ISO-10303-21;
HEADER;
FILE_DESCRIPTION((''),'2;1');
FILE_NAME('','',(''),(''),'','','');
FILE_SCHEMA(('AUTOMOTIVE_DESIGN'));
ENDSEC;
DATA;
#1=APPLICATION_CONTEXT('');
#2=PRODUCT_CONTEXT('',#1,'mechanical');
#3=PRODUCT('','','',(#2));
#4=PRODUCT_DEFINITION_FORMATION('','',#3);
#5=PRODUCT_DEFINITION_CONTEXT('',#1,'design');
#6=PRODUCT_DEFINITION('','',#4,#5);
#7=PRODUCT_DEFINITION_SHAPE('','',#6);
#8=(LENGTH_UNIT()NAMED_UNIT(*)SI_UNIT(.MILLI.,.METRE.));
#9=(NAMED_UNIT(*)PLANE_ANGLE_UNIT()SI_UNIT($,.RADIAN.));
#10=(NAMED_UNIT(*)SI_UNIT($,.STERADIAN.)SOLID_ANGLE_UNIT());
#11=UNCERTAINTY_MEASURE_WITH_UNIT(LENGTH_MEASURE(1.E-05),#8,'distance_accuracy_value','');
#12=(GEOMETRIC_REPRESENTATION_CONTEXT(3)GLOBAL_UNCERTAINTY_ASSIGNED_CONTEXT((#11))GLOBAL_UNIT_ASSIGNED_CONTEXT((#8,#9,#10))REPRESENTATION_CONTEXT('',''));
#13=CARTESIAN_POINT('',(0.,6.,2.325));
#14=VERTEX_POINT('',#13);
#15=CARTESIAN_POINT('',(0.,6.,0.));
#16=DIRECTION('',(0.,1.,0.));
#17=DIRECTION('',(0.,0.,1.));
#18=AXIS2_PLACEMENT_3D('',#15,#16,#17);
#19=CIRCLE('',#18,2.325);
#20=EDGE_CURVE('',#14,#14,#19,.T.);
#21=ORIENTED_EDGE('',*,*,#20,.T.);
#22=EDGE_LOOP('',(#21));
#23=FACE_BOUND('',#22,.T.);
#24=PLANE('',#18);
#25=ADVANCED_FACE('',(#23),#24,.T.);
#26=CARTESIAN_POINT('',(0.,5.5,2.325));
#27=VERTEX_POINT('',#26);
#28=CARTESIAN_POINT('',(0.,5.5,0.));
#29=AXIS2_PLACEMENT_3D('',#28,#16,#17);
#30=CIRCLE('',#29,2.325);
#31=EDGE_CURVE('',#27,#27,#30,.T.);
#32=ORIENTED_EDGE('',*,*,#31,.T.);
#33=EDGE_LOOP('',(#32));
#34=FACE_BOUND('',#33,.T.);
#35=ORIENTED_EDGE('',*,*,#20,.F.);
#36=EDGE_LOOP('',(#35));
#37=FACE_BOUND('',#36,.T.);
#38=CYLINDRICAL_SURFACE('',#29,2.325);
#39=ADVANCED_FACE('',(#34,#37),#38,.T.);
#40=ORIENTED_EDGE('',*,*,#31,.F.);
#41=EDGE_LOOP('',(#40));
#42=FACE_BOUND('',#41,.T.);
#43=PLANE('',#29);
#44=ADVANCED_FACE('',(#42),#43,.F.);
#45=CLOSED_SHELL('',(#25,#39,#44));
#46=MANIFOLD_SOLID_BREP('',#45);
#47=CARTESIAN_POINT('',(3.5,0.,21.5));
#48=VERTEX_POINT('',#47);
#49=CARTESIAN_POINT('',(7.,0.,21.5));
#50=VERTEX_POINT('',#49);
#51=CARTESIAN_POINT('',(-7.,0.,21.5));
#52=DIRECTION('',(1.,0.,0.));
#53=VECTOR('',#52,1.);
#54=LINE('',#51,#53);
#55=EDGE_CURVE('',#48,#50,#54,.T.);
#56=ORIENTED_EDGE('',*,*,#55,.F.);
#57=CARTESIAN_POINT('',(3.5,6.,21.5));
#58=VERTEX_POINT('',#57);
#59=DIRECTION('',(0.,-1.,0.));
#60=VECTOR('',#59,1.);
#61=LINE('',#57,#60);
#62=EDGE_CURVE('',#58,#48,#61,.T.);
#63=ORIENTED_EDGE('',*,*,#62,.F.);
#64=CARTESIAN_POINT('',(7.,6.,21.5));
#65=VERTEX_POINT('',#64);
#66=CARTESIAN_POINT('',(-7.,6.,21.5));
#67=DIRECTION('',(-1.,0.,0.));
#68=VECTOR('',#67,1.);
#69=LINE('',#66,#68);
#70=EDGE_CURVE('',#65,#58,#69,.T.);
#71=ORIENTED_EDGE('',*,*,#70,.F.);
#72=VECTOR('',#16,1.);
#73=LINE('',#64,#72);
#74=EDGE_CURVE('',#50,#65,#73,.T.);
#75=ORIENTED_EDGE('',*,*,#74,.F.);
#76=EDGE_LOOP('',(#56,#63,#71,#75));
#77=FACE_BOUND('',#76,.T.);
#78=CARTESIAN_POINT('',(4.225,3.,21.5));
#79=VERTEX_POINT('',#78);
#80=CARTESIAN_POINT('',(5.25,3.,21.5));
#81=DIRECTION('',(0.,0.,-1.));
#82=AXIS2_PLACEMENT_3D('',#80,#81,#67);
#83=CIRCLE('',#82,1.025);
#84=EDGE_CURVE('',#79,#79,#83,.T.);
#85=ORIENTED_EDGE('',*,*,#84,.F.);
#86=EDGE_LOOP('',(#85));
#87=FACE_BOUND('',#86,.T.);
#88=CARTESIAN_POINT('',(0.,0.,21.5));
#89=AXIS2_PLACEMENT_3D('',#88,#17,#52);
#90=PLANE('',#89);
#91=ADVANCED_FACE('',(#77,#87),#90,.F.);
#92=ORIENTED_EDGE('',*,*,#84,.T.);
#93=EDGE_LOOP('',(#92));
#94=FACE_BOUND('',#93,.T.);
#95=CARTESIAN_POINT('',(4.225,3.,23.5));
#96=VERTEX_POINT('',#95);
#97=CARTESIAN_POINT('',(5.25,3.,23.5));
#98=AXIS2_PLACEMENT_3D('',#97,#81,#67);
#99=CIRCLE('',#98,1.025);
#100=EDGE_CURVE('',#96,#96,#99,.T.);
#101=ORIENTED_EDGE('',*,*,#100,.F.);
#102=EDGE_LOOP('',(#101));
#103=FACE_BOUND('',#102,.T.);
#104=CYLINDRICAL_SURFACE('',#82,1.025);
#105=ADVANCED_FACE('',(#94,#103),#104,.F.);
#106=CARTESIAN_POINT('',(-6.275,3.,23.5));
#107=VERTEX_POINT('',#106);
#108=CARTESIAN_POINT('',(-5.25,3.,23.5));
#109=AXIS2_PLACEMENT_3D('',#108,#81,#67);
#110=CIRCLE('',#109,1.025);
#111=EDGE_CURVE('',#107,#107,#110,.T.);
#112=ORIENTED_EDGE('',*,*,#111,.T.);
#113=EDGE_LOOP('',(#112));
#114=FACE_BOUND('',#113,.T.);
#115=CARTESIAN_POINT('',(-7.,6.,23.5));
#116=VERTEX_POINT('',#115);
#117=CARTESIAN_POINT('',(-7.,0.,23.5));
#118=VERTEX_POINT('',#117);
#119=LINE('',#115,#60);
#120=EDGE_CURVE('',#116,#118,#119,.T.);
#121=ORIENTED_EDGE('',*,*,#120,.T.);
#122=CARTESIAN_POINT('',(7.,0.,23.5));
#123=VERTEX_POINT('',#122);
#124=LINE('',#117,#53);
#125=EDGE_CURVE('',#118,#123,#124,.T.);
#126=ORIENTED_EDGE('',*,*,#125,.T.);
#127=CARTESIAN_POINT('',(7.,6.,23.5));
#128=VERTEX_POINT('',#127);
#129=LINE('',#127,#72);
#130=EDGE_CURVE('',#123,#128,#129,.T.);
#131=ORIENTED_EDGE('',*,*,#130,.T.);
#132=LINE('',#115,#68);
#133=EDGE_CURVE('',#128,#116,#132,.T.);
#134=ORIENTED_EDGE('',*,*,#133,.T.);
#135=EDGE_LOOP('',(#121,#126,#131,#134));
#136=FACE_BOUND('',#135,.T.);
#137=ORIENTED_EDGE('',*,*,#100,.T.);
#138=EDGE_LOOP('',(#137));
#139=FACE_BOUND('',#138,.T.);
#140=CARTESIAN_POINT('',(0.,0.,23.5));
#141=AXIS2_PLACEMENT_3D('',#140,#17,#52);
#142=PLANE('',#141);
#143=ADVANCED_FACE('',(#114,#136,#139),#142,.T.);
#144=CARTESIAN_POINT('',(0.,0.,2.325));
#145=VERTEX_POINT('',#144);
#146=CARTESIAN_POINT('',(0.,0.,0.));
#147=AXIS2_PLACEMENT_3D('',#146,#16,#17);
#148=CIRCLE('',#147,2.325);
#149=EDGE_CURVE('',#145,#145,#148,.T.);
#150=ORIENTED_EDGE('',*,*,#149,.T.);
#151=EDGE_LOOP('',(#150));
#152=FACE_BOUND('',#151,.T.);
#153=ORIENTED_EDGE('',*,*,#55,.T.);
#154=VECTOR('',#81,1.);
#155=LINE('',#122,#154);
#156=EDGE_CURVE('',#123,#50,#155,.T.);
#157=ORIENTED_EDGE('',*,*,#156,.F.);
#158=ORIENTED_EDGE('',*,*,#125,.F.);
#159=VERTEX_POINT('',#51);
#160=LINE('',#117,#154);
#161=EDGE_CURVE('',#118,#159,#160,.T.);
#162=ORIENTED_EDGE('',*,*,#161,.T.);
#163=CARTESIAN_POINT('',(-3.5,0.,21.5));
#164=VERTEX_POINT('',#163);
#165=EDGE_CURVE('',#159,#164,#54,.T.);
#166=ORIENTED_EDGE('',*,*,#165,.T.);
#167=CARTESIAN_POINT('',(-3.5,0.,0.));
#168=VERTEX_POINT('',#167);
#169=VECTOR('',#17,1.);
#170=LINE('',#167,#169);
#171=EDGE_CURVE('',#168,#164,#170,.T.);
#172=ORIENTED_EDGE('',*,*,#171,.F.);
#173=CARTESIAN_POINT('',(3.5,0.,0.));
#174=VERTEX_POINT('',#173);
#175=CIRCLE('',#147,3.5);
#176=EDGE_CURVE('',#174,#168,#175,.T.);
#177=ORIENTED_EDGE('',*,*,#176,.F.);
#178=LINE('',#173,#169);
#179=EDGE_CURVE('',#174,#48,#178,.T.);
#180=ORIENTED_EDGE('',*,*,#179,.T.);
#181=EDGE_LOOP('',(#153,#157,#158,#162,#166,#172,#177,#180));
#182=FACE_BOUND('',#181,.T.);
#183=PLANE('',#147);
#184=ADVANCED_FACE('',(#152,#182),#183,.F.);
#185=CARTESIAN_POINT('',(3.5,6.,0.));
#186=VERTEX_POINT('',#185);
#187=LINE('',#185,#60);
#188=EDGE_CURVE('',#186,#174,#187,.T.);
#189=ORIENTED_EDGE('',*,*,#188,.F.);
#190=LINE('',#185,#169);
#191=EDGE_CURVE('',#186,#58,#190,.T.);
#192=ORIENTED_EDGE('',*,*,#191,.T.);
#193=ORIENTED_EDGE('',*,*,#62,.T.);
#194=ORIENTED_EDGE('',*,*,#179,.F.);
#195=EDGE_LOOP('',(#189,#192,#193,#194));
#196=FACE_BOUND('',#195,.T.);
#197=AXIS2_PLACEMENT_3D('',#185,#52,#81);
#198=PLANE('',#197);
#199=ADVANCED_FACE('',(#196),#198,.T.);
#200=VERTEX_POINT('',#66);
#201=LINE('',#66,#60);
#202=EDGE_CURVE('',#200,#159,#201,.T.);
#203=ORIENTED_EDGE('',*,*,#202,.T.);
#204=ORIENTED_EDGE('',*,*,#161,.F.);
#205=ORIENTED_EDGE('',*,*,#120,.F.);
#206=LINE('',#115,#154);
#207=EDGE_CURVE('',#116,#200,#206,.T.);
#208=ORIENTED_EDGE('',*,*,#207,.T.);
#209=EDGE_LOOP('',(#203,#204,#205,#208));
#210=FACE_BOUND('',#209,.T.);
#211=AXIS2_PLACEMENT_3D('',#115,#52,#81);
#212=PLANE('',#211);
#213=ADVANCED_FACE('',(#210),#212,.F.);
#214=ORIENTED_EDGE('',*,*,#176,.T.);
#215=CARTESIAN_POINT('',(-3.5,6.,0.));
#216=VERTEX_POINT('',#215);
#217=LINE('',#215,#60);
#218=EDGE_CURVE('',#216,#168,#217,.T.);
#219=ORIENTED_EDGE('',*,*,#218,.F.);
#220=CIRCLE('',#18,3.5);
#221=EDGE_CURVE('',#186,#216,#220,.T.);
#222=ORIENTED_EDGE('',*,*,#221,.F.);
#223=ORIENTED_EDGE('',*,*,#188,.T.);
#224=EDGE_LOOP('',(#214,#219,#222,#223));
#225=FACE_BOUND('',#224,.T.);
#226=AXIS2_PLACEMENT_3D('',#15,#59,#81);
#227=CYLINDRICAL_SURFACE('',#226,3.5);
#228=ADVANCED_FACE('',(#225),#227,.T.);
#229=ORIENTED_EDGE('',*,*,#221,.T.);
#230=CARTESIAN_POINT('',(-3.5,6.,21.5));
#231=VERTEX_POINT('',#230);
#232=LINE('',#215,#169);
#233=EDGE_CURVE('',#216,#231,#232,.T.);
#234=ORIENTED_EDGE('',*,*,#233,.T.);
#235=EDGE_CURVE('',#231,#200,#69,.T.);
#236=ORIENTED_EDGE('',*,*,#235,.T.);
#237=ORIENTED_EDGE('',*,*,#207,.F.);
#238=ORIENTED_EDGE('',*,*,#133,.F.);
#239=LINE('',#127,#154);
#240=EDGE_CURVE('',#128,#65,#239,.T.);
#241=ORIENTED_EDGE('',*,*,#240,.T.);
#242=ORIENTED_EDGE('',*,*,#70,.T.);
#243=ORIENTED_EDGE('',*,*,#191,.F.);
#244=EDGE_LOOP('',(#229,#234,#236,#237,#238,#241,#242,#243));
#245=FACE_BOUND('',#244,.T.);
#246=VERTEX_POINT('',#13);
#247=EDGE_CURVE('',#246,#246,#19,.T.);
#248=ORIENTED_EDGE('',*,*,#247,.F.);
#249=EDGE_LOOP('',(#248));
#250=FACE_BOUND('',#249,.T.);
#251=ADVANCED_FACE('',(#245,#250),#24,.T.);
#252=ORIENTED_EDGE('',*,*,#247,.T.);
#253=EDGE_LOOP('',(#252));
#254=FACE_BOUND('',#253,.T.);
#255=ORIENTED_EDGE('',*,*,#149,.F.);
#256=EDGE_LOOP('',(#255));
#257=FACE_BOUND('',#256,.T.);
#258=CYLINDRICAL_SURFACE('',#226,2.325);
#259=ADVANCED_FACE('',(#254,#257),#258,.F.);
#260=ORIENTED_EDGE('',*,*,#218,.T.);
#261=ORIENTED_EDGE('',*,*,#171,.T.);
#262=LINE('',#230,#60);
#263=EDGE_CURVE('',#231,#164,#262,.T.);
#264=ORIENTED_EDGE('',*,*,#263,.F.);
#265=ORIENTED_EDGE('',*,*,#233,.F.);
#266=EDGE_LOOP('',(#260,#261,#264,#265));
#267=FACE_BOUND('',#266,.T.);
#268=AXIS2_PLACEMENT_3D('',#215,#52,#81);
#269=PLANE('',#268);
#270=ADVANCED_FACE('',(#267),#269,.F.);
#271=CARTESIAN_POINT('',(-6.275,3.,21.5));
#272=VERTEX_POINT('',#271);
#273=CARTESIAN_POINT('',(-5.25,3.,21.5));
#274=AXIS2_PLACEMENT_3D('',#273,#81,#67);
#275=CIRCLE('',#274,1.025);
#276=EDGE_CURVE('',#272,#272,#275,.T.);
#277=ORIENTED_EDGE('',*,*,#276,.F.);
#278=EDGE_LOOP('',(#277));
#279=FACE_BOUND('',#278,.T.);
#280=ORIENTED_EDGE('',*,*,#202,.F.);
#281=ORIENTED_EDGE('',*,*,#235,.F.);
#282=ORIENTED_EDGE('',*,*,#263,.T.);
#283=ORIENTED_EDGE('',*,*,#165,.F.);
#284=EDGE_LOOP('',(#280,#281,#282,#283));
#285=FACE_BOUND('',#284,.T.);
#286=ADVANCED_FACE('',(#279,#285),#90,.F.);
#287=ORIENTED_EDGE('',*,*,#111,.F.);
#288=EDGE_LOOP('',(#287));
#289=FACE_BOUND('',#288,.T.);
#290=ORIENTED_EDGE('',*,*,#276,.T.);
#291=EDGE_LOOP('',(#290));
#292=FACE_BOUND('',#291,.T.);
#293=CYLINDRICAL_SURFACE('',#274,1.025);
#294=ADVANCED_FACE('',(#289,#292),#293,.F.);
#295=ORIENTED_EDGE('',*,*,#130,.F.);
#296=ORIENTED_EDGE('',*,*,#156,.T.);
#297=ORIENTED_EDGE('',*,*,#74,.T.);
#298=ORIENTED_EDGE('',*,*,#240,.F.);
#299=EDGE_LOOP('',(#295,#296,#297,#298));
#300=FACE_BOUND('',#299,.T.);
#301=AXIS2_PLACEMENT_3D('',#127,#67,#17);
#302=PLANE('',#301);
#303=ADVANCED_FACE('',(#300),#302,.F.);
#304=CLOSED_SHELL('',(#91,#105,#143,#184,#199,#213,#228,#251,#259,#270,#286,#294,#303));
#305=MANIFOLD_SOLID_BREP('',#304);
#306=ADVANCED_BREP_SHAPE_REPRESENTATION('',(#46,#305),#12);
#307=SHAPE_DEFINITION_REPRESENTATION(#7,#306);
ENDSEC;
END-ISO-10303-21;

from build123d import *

# Parameters (mm, degrees)
SKETCH1_R                      = 2.325
BOSS_EXTRUDE1_DEPTH            = 6
SKETCH2_W                      = 14
SKETCH2_H                      = 6
BOSS_EXTRUDE2_DEPTH            = 2
TAP_DRILL_FOR_M2_5X0_45_TAP1_D = 2.05
SKETCH5_R                      = 2.325
BOSS_EXTRUDE3_DEPTH            = 0.5


with BuildPart() as part:
    # Sketch1 → Boss-Extrude1 (new body)
    with BuildSketch(Plane(origin=(0, 0, 0), x_dir=(1, 0, 0), z_dir=(0, 1, 0))):
        with BuildLine():
            ThreePointArc((3.5, 0), (0, 3.5), (-3.5, 0))
            Line((-3.5, 0), (-3.5, -21.5))
            Line((-3.5, -21.5), (3.5, -21.5))
            Line((3.5, -21.5), (3.5, 0))
        make_face()
        Circle(SKETCH1_R, mode=Mode.SUBTRACT)
    extrude(amount=BOSS_EXTRUDE1_DEPTH)

    # Sketch2 → Boss-Extrude2 (add)
    with BuildSketch(Plane.XY.offset(21.5)):
        with Locations((0, 3)):
            Rectangle(SKETCH2_W, SKETCH2_H)
    extrude(amount=BOSS_EXTRUDE2_DEPTH)

    # Tap Drill for M2.5x0.45 Tap1 (through all)
    with Locations(Plane(origin=(0, 0, 21.5), x_dir=(-1, 0, 0), z_dir=(0, 0, -1))):
        with Locations((5.25, 3), (-5.25, 3)):
            Hole(TAP_DRILL_FOR_M2_5X0_45_TAP1_D / 2)


with BuildPart() as body_2:
    # Sketch5 → Boss-Extrude3 (new body)
    with BuildSketch(Plane(origin=(0, 6, 0), x_dir=(1, 0, 0), z_dir=(0, 1, 0))):
        Circle(SKETCH5_R)
    extrude(amount=-BOSS_EXTRUDE3_DEPTH)


solid = Compound([part.part, body_2.part])
